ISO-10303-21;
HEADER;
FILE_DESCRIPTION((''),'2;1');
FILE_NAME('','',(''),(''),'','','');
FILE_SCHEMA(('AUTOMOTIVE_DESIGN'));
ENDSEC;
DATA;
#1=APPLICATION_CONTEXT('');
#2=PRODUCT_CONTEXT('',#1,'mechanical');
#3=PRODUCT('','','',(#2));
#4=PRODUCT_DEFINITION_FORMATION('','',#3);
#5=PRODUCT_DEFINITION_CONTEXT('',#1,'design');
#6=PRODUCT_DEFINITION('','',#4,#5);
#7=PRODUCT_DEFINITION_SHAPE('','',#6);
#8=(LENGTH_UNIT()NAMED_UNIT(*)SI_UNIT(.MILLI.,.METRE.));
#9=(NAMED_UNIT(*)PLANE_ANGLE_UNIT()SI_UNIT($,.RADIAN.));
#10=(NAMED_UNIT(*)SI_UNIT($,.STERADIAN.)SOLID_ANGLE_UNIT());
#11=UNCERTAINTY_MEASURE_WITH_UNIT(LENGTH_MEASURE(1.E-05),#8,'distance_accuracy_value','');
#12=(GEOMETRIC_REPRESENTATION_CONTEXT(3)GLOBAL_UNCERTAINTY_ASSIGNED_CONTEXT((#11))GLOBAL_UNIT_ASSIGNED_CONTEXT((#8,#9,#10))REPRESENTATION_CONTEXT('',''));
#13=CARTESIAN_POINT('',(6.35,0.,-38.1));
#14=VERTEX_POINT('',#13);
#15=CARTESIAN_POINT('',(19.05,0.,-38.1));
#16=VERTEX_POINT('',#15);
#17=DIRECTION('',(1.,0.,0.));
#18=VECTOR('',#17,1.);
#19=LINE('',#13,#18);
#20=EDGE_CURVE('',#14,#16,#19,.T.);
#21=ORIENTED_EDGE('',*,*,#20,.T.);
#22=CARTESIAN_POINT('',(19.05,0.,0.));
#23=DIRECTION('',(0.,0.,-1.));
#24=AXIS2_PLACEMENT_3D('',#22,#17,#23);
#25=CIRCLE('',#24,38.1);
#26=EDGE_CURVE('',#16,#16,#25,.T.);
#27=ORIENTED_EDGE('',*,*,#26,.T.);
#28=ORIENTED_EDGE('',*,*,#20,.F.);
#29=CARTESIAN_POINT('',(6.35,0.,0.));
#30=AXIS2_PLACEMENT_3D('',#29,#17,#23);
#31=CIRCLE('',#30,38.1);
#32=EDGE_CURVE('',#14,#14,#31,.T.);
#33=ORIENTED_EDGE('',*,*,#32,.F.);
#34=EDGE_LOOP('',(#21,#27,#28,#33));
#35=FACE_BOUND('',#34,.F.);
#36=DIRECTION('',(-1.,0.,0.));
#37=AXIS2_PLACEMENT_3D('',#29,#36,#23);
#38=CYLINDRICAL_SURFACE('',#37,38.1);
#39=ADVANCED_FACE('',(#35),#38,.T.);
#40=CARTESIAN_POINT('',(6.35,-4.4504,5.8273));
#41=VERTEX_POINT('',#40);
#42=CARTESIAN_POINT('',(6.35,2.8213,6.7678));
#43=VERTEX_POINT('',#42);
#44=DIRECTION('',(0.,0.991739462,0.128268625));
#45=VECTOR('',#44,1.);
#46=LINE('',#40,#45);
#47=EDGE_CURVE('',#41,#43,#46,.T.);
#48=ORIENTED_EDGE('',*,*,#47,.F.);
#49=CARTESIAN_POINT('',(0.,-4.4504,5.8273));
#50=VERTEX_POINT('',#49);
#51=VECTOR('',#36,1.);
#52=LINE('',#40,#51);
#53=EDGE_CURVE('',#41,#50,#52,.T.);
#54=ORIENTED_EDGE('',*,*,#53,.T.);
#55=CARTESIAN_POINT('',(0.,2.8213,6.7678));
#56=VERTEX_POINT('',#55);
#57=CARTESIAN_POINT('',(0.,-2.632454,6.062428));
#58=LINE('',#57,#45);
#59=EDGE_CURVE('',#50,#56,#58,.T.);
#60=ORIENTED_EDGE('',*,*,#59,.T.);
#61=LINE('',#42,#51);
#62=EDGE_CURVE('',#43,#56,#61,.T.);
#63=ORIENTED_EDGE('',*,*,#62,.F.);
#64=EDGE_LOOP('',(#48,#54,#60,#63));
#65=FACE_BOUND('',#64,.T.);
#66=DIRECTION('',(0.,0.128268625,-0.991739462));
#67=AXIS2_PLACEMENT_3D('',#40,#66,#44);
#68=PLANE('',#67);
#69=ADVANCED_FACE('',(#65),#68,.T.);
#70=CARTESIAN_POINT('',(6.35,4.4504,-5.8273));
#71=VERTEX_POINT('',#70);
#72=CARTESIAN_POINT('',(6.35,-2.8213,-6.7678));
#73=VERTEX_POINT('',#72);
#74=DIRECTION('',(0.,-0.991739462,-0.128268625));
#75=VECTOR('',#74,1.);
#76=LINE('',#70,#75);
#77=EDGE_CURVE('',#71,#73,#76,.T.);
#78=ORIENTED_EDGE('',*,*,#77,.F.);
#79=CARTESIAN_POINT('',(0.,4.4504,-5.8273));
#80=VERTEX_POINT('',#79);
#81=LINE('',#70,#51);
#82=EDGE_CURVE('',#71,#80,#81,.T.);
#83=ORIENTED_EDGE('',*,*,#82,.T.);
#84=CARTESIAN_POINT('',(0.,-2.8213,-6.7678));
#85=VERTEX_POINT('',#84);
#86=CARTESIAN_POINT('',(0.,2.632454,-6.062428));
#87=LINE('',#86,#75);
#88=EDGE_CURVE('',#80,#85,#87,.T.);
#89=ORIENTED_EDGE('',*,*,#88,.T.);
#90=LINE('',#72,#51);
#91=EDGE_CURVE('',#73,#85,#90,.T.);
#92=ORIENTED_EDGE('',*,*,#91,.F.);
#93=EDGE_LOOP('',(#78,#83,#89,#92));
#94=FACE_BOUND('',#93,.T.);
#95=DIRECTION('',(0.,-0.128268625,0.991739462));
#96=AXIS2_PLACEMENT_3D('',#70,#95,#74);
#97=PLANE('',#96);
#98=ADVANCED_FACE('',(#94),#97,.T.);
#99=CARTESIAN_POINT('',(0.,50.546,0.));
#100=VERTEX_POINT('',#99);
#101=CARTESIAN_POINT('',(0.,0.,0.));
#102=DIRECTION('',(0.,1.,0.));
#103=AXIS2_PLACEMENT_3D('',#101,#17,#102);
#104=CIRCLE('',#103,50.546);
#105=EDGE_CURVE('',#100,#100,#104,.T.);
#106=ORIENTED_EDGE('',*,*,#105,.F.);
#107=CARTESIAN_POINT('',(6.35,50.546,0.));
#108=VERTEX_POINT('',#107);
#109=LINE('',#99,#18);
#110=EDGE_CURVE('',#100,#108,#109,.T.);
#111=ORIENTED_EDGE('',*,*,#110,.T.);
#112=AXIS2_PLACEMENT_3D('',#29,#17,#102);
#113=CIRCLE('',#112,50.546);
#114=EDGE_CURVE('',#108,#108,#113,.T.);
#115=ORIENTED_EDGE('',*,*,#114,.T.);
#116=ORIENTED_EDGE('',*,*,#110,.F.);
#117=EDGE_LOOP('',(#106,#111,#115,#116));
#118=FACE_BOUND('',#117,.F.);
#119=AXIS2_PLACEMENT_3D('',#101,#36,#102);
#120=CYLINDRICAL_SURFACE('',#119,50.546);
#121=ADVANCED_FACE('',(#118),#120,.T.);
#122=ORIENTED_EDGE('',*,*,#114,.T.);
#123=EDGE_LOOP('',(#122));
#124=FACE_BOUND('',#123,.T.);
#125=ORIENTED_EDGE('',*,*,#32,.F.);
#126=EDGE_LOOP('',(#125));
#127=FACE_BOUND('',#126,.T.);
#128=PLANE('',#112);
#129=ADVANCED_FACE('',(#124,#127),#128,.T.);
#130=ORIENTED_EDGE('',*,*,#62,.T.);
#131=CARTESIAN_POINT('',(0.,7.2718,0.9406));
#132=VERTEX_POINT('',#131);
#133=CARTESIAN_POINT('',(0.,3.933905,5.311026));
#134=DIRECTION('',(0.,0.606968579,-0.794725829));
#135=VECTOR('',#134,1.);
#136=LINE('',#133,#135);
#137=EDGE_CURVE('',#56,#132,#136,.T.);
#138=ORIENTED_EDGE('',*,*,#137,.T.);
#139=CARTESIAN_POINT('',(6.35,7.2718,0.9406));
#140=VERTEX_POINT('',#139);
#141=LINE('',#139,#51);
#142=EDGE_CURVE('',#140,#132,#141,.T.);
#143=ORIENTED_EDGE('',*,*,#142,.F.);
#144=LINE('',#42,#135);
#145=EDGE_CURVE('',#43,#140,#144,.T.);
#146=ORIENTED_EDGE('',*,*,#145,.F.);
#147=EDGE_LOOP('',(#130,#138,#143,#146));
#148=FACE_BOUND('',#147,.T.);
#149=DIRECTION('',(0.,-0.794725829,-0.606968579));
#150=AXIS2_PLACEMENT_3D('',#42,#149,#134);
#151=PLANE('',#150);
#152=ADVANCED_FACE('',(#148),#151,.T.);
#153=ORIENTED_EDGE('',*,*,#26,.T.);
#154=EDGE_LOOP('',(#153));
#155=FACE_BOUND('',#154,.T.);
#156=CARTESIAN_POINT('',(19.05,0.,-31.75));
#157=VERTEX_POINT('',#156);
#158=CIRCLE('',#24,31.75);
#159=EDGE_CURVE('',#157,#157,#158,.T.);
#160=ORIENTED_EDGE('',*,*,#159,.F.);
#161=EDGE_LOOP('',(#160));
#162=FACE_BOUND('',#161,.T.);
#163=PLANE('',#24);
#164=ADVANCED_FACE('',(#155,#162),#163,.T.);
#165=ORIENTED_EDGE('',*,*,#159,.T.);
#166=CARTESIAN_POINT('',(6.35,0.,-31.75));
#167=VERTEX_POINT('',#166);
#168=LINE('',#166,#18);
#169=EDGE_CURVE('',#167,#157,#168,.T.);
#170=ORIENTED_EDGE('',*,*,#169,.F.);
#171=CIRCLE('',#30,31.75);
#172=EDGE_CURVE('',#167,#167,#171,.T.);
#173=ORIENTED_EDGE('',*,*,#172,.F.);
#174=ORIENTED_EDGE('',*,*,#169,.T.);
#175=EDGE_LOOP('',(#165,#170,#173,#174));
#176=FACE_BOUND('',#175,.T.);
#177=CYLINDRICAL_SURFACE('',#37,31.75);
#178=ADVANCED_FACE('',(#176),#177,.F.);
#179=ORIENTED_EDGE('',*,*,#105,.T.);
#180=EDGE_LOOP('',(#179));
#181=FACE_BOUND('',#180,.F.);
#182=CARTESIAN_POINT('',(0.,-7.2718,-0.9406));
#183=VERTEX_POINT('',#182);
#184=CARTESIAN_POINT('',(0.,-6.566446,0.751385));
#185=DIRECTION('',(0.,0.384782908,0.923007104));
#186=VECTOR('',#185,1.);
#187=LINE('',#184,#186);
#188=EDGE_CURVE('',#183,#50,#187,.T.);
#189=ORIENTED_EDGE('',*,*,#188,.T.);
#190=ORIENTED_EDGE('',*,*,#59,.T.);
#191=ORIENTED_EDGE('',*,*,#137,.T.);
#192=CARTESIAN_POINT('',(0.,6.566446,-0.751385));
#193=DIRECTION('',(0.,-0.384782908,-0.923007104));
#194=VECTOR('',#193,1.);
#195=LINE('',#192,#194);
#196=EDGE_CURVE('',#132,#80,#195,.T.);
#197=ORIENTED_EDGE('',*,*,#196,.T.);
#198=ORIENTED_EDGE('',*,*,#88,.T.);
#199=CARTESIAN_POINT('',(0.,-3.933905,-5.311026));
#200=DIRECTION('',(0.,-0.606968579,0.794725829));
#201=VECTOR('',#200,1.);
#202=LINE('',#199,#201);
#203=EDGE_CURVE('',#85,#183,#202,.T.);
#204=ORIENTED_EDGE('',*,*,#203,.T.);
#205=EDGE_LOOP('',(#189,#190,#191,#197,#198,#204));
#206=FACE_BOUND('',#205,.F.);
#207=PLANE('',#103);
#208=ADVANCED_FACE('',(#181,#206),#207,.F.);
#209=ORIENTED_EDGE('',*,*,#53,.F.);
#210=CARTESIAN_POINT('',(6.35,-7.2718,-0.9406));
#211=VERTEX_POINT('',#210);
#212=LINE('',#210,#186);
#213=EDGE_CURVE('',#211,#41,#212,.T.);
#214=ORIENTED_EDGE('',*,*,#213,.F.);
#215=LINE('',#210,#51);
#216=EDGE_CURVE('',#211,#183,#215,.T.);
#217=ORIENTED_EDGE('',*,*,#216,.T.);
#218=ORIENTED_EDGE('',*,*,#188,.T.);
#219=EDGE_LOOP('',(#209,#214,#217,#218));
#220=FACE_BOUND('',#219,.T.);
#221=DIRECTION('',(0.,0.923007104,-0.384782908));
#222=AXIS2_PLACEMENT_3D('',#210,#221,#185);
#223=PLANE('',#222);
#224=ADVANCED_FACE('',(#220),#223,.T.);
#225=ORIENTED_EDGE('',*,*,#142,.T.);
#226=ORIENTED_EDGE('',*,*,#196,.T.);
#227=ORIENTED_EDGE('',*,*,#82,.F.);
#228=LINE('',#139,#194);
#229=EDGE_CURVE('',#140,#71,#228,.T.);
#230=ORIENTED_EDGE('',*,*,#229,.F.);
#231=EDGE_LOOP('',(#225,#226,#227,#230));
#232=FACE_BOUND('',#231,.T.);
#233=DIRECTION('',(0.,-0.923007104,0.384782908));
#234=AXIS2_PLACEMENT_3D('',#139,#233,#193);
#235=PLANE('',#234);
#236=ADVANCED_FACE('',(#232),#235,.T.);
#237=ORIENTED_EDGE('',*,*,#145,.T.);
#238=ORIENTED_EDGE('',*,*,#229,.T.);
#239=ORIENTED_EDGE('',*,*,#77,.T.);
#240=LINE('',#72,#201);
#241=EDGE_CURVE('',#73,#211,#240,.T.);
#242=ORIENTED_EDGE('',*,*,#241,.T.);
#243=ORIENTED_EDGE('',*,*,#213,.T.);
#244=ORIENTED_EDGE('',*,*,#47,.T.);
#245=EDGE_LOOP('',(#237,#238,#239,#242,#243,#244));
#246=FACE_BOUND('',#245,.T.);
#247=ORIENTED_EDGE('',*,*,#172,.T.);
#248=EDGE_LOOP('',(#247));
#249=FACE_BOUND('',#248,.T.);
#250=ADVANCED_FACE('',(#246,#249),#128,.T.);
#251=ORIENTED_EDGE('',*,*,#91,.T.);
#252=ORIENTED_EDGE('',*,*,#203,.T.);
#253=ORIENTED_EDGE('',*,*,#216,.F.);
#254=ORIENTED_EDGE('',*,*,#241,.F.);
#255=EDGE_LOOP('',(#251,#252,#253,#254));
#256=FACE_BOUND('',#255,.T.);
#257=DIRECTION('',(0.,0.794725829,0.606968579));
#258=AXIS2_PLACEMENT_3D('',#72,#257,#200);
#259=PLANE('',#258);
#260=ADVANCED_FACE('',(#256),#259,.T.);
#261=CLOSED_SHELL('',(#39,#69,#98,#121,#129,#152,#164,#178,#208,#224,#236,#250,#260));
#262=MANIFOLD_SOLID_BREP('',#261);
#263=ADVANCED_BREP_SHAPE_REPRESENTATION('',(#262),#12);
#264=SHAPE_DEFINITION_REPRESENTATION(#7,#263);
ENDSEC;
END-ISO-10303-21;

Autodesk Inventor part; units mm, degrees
ref_plane "YZ Plane" through (0, 0, 0) normal (1, 0, 0) x (0, 1, 0)
ref_plane "XZ Plane" through (0, 0, 0) normal (0, 1, 0) x (-1, 0, 0)
ref_plane "XY Plane" through (0, 0, 0) normal (0, 0, 1) x (1, 0, 0)
sketch "Sketch1" plane through (0, 0, 0) normal (1, 0, 0) x (0, 1, 0)
  circle A0 centre (0, 0) radius 50.546
  dimension "d0" = 101.092
extrude "Extrusion1" add sketch "Sketch1" along normal blind 6.35
sketch "Sketch2" plane through (6.35, 0, 0) normal (1, 0, 0) x (0, 0, -1)
  circle A0 centre (0, 0) radius 38.1
  circle A1 centre (0, 0) radius 31.75
  dimension "d3" = 76.2
  dimension "d4" = 6.35
extrude "Extrusion2" add sketch "Sketch2" along normal blind 12.7
sketch "Sketch3" plane through (6.35, 0, 0) normal (1, 0, 0) x (0, 0, -1)
  line L0 (-6.7678, 2.8213) -> (-0.9406, 7.2718)
  line L1 (-0.9406, 7.2718) -> (5.8273, 4.4504)
  line L2 (5.8273, 4.4504) -> (6.7678, -2.8213)
  line L3 (6.7678, -2.8213) -> (0.9406, -7.2718)
  line L4 (0.9406, -7.2718) -> (-5.8273, -4.4504)
  line L5 (-5.8273, -4.4504) -> (-6.7678, 2.8213)
  point P0 (0, 0)
  point P1 (0, 0)
  dimension "d7" = 12.7
extrude "Extrusion3" cut sketch "Sketch3" against normal blind 12.7
properties part number "wheel hub"
